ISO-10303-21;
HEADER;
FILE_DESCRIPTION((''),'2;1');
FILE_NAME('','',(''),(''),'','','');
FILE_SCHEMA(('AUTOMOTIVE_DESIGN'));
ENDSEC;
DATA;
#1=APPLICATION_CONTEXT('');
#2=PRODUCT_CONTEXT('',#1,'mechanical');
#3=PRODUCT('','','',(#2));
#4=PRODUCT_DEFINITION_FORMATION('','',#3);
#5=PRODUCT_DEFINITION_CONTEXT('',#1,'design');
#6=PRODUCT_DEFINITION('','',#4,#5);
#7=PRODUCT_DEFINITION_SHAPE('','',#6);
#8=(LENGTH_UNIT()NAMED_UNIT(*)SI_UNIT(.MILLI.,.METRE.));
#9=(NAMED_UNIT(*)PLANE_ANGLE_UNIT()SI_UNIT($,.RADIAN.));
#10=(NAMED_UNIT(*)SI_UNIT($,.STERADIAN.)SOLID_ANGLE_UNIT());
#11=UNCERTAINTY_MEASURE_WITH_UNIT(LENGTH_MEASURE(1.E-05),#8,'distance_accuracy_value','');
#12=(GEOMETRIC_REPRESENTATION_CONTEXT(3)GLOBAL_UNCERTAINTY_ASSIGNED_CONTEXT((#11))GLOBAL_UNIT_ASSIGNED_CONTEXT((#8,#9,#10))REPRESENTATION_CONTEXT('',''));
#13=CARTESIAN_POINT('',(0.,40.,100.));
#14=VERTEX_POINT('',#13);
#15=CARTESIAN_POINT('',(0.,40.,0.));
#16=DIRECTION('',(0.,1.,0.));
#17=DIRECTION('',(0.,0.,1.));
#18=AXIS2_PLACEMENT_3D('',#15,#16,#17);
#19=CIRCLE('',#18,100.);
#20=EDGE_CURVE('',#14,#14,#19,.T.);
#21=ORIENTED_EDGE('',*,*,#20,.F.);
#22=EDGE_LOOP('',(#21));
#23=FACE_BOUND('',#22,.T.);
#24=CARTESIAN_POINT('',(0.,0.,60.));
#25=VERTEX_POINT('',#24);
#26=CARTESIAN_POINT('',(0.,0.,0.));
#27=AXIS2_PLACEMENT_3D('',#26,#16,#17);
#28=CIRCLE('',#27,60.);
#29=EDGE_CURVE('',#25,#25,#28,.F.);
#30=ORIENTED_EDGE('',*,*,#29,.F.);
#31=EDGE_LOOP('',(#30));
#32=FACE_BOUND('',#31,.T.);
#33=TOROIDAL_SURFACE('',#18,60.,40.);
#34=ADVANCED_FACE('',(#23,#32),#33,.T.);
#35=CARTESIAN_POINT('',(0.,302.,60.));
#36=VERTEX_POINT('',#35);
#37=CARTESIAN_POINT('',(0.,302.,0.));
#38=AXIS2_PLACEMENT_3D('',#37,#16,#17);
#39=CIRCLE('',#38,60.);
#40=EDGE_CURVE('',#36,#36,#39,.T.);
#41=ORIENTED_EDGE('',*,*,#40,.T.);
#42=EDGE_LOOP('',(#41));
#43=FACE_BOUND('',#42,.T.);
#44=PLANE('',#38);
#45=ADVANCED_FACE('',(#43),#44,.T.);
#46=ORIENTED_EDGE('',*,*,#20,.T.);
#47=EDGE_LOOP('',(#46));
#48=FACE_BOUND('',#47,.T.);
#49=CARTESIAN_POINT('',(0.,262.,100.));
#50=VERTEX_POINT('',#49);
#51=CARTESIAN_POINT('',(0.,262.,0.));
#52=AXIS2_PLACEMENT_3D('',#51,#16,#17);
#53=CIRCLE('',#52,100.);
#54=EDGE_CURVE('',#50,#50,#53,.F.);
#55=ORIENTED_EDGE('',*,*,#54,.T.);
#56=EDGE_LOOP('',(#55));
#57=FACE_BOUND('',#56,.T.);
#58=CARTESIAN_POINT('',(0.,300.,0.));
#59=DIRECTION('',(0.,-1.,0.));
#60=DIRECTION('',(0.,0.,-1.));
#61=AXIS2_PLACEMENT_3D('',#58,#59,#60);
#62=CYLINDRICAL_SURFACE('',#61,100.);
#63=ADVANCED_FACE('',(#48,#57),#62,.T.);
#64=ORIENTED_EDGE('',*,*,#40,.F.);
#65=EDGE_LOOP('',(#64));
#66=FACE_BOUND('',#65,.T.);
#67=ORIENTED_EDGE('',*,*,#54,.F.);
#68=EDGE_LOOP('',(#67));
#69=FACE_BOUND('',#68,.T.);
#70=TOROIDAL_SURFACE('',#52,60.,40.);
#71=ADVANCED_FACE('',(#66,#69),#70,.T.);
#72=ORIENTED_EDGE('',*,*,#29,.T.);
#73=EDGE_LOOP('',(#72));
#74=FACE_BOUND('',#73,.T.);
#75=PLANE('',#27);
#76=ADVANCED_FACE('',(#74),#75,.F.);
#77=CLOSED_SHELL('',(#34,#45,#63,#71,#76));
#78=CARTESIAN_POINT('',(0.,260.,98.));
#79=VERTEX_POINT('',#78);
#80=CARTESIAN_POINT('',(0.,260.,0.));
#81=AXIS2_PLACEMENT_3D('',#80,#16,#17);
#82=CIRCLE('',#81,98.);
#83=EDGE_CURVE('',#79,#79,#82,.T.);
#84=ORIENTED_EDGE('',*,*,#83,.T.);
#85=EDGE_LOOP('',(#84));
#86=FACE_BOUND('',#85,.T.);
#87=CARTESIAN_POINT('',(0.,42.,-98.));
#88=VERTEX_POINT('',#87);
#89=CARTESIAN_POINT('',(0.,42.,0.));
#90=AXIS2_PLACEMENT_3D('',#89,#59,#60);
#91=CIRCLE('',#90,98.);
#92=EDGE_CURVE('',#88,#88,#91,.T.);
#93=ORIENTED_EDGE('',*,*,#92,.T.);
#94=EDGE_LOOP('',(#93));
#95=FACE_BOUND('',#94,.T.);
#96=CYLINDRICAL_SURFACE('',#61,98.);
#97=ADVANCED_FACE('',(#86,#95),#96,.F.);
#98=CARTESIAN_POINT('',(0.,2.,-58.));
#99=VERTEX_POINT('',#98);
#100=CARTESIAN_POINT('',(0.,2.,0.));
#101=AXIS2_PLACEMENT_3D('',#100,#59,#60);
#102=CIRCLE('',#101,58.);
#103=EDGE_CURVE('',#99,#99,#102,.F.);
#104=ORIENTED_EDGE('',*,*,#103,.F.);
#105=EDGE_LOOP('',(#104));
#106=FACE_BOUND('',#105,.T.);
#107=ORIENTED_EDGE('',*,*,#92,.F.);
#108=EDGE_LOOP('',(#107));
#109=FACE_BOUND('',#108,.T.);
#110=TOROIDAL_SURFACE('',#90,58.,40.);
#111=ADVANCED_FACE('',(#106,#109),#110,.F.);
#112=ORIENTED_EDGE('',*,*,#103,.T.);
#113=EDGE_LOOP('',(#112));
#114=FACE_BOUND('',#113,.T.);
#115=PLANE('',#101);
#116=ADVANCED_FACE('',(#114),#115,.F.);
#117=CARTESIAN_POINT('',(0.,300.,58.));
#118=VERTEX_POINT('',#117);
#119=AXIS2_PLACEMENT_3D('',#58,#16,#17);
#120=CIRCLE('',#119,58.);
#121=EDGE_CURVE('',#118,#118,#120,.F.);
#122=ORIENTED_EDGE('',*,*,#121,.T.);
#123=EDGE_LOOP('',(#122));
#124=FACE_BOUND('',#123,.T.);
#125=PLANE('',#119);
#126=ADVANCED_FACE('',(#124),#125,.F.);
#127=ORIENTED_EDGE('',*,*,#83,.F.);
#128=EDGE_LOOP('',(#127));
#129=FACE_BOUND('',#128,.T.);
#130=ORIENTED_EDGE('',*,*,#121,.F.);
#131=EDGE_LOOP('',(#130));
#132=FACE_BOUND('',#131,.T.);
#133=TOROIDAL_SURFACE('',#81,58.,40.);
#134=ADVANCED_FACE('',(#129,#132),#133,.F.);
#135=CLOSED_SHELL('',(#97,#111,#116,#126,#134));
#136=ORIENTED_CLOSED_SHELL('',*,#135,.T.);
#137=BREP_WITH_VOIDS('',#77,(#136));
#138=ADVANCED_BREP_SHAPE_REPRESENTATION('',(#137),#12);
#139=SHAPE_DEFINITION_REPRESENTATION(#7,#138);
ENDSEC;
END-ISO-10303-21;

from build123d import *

# Parameters (mm, degrees)
SKETCH1_R           = 100
SKETCH1_R_2         = 98
BOSS_EXTRUDE1_DEPTH = 300
SKETCH2_R           = 100
BOSS_EXTRUDE2_DEPTH = 2
SKETCH4_R           = 100
BOSS_EXTRUDE3_DEPTH = 2
FILLET1_R           = 40


with BuildPart() as part:
    # Sketch1 → Boss-Extrude1 (new body)
    with BuildSketch(Plane(origin=(0, 0, 0), x_dir=(1, 0, 0), z_dir=(0, 1, 0))):
        with Locations(Location((0, 0, 0), (0, 0, 270))):
            Circle(SKETCH1_R)
        with Locations(Location((0, 0, 0), (0, 0, 270))):
            Circle(SKETCH1_R_2, mode=Mode.SUBTRACT)
    extrude(amount=BOSS_EXTRUDE1_DEPTH)

    # Sketch2 → Boss-Extrude2 (add)
    with BuildSketch(Plane.XZ):
        with Locations(Location((0, 0, 0), (0, 0, 90))):
            Circle(SKETCH2_R)
    extrude(amount=-BOSS_EXTRUDE2_DEPTH)

    # Sketch4 → Boss-Extrude3 (add)
    with BuildSketch(Plane(origin=(0, 300, 0), x_dir=(1, 0, 0), z_dir=(0, 1, 0))):
        with Locations(Location((0, 0, 0), (0, 0, 270))):
            Circle(SKETCH4_R)
    extrude(amount=BOSS_EXTRUDE3_DEPTH)

    # Fillet1
    fillet1_edges = [part.edges().sort_by_distance(p)[0] for p in [
        (0, 2, -98),
        (0, 300, -98),
        (0, 302, -100),
        (0, 0, -100),
    ]]
    fillet(fillet1_edges, radius=FILLET1_R)


solid = part.part
